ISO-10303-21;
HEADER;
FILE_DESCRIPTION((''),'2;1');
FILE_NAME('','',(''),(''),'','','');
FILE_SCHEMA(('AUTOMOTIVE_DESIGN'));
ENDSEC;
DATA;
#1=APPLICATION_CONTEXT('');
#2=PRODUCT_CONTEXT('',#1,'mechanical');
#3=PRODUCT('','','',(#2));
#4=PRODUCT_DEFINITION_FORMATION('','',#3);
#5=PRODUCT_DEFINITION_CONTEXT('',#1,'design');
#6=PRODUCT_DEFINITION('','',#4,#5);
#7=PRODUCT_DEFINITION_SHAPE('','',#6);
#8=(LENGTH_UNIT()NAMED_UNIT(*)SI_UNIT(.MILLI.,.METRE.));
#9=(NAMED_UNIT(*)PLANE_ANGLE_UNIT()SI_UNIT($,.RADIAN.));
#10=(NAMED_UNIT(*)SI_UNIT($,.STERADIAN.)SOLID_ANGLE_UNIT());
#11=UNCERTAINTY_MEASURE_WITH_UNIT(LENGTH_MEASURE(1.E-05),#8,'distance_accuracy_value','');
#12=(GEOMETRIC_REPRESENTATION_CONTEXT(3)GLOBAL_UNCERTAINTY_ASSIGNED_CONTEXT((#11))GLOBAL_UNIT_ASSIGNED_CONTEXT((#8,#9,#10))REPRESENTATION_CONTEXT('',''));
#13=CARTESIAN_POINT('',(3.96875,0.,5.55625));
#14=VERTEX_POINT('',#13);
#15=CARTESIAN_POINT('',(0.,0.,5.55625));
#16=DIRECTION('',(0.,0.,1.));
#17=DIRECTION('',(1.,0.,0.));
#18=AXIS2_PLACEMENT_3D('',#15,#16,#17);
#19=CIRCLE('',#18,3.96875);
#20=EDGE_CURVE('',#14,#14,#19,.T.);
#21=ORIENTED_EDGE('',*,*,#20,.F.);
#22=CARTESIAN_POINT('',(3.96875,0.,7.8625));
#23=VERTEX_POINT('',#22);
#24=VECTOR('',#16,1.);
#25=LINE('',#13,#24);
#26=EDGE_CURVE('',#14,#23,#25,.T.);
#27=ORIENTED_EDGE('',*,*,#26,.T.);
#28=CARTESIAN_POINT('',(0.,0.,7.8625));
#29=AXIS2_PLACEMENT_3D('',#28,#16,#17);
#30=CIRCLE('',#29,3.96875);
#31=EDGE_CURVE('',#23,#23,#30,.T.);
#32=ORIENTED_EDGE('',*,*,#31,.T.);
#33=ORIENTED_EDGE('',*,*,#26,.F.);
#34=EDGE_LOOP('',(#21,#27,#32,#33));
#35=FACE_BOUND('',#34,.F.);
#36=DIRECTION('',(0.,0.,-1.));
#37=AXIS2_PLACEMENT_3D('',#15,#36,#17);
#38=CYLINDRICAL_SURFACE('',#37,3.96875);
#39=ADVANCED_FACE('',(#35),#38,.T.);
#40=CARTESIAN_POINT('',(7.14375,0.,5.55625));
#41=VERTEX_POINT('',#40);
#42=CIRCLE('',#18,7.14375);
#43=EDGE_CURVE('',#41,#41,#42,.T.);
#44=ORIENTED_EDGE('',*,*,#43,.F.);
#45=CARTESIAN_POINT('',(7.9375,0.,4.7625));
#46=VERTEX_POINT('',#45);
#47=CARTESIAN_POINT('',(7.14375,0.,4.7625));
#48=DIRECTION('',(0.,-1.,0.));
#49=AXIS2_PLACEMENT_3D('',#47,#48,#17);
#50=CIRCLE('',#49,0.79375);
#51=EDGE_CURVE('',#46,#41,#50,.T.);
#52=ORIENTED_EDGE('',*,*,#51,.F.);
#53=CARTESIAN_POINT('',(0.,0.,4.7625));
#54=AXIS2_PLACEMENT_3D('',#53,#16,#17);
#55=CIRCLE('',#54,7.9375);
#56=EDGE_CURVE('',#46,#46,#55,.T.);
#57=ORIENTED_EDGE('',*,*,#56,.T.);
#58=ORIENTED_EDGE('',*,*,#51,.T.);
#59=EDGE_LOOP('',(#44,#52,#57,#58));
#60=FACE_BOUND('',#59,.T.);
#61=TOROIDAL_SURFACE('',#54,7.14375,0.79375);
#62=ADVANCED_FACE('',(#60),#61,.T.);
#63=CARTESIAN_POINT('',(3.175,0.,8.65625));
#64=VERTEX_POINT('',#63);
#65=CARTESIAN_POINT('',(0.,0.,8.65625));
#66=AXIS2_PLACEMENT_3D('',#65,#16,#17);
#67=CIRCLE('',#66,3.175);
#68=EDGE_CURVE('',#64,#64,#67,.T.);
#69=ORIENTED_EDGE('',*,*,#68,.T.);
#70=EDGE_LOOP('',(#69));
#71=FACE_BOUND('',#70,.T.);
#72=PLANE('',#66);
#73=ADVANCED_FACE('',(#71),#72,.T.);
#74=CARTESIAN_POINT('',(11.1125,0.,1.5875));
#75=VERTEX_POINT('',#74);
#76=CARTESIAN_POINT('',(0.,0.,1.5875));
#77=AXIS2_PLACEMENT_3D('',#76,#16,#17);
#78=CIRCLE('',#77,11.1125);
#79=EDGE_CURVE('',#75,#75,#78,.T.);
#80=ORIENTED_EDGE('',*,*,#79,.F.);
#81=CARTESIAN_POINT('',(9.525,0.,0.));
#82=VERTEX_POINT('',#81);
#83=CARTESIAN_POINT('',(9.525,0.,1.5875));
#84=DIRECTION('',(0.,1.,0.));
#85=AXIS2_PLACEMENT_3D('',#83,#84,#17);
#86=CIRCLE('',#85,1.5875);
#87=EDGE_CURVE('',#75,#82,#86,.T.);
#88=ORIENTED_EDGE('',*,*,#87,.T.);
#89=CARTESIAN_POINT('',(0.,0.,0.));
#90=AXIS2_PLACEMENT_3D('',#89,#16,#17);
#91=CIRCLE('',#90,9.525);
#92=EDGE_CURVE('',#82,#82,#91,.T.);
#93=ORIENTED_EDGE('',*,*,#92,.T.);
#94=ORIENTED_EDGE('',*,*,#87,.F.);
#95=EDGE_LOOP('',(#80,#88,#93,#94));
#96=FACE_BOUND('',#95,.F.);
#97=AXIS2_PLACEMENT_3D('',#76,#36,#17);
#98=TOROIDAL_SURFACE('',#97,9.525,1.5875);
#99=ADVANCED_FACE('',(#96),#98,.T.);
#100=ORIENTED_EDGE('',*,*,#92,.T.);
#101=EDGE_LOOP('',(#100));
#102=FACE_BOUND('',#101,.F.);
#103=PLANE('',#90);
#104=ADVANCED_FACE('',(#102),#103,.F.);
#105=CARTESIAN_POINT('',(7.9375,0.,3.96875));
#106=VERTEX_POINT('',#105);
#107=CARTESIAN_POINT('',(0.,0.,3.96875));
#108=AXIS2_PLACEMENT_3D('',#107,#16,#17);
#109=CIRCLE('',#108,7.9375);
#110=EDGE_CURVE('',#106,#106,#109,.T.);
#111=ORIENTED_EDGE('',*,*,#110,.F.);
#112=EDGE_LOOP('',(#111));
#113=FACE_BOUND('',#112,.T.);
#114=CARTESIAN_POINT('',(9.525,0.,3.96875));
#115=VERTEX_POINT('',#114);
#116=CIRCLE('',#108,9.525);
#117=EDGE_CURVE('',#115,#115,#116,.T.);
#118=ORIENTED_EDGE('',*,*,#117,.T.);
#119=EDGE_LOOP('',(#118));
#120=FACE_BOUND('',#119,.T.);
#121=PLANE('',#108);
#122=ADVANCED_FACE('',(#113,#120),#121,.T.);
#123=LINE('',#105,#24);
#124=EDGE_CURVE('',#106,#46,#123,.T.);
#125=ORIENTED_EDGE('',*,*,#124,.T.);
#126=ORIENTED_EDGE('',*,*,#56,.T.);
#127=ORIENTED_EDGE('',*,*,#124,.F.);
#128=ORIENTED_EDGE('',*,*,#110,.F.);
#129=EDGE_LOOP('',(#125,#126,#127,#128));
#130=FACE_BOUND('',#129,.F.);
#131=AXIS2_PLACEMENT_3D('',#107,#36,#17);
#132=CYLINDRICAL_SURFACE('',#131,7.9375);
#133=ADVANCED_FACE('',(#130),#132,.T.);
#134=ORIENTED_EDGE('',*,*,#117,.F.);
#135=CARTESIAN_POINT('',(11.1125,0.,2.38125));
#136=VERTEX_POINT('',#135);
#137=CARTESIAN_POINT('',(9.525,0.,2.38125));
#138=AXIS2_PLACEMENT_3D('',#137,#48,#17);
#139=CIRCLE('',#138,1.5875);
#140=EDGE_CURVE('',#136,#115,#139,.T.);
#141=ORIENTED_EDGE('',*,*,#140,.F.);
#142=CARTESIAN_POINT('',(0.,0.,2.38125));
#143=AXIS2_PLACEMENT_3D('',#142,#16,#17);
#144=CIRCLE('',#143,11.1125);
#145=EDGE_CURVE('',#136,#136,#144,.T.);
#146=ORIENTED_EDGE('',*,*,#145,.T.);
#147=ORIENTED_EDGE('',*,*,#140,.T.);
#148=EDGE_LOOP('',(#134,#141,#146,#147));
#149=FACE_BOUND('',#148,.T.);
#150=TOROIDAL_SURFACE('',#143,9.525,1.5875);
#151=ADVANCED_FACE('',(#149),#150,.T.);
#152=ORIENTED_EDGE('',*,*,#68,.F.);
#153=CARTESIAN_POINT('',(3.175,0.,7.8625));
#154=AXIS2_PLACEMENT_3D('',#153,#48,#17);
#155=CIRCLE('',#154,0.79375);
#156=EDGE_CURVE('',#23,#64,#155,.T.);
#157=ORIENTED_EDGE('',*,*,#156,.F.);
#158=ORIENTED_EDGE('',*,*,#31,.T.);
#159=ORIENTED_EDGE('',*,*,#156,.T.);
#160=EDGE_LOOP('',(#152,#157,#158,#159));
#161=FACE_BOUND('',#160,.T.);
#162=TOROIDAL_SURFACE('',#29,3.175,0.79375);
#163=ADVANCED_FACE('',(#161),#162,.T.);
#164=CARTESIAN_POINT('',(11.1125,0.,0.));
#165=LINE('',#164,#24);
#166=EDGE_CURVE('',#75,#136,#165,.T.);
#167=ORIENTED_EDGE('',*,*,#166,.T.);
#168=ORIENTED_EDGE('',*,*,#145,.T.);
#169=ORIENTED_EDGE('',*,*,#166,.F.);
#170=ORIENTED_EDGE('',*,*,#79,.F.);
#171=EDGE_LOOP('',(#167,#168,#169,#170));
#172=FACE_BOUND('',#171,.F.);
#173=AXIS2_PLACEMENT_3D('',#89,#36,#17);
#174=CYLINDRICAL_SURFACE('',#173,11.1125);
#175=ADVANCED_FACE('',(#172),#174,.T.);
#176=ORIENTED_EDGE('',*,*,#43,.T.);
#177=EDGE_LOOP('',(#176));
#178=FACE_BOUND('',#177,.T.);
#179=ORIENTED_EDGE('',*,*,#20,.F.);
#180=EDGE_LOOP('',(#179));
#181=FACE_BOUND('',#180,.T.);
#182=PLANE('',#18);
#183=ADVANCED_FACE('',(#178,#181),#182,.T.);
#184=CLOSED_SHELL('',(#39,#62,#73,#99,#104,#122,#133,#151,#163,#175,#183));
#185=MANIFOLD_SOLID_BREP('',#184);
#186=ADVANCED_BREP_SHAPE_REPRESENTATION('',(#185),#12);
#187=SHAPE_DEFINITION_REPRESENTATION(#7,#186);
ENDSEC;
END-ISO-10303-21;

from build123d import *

# Parameters (mm, degrees)
CYLINDER_R     = 11.1125
CYLINDER_DEPTH = 3.96875
FILLET002_R    = 1.5875
FILLET003_R    = 1.5875
SKETCH001_R    = 7.9375
PAD001_DEPTH   = 1.5875
FILLET004_R    = 0.79375
SKETCH002_R    = 3.96875
PAD002_DEPTH   = 3.1
FILLET005_R    = 0.79375


with BuildPart() as part:
    # Cylinder → Cylinder (new body)
    with BuildSketch(Plane.XY):
        Circle(CYLINDER_R)
    extrude(amount=CYLINDER_DEPTH)

    # Fillet002
    fillet002_edges = [part.edges().sort_by_distance(p)[0] for p in [
        (-11.1125, 0, 3.96875),
    ]]
    fillet(fillet002_edges, radius=FILLET002_R)

    # Fillet003
    fillet003_edges = [part.edges().sort_by_distance(p)[0] for p in [
        (-11.1125, 0, 0),
    ]]
    fillet(fillet003_edges, radius=FILLET003_R)

    # Sketch001 → Pad001 (new body)
    with BuildSketch(Plane.XY.offset(3.96875)):
        Circle(SKETCH001_R)
    extrude(amount=PAD001_DEPTH)

    # Fillet004
    fillet004_edges = [part.edges().sort_by_distance(p)[0] for p in [
        (-7.9375, 0, 5.55625),
    ]]
    fillet(fillet004_edges, radius=FILLET004_R)

    # Sketch002 → Pad002 (new body)
    with BuildSketch(Plane.XY.offset(5.55625)):
        Circle(SKETCH002_R)
    extrude(amount=PAD002_DEPTH)

    # Fillet005
    fillet005_edges = [part.edges().sort_by_distance(p)[0] for p in [
        (-3.96875, 0, 8.65625),
    ]]
    fillet(fillet005_edges, radius=FILLET005_R)


solid = part.part
